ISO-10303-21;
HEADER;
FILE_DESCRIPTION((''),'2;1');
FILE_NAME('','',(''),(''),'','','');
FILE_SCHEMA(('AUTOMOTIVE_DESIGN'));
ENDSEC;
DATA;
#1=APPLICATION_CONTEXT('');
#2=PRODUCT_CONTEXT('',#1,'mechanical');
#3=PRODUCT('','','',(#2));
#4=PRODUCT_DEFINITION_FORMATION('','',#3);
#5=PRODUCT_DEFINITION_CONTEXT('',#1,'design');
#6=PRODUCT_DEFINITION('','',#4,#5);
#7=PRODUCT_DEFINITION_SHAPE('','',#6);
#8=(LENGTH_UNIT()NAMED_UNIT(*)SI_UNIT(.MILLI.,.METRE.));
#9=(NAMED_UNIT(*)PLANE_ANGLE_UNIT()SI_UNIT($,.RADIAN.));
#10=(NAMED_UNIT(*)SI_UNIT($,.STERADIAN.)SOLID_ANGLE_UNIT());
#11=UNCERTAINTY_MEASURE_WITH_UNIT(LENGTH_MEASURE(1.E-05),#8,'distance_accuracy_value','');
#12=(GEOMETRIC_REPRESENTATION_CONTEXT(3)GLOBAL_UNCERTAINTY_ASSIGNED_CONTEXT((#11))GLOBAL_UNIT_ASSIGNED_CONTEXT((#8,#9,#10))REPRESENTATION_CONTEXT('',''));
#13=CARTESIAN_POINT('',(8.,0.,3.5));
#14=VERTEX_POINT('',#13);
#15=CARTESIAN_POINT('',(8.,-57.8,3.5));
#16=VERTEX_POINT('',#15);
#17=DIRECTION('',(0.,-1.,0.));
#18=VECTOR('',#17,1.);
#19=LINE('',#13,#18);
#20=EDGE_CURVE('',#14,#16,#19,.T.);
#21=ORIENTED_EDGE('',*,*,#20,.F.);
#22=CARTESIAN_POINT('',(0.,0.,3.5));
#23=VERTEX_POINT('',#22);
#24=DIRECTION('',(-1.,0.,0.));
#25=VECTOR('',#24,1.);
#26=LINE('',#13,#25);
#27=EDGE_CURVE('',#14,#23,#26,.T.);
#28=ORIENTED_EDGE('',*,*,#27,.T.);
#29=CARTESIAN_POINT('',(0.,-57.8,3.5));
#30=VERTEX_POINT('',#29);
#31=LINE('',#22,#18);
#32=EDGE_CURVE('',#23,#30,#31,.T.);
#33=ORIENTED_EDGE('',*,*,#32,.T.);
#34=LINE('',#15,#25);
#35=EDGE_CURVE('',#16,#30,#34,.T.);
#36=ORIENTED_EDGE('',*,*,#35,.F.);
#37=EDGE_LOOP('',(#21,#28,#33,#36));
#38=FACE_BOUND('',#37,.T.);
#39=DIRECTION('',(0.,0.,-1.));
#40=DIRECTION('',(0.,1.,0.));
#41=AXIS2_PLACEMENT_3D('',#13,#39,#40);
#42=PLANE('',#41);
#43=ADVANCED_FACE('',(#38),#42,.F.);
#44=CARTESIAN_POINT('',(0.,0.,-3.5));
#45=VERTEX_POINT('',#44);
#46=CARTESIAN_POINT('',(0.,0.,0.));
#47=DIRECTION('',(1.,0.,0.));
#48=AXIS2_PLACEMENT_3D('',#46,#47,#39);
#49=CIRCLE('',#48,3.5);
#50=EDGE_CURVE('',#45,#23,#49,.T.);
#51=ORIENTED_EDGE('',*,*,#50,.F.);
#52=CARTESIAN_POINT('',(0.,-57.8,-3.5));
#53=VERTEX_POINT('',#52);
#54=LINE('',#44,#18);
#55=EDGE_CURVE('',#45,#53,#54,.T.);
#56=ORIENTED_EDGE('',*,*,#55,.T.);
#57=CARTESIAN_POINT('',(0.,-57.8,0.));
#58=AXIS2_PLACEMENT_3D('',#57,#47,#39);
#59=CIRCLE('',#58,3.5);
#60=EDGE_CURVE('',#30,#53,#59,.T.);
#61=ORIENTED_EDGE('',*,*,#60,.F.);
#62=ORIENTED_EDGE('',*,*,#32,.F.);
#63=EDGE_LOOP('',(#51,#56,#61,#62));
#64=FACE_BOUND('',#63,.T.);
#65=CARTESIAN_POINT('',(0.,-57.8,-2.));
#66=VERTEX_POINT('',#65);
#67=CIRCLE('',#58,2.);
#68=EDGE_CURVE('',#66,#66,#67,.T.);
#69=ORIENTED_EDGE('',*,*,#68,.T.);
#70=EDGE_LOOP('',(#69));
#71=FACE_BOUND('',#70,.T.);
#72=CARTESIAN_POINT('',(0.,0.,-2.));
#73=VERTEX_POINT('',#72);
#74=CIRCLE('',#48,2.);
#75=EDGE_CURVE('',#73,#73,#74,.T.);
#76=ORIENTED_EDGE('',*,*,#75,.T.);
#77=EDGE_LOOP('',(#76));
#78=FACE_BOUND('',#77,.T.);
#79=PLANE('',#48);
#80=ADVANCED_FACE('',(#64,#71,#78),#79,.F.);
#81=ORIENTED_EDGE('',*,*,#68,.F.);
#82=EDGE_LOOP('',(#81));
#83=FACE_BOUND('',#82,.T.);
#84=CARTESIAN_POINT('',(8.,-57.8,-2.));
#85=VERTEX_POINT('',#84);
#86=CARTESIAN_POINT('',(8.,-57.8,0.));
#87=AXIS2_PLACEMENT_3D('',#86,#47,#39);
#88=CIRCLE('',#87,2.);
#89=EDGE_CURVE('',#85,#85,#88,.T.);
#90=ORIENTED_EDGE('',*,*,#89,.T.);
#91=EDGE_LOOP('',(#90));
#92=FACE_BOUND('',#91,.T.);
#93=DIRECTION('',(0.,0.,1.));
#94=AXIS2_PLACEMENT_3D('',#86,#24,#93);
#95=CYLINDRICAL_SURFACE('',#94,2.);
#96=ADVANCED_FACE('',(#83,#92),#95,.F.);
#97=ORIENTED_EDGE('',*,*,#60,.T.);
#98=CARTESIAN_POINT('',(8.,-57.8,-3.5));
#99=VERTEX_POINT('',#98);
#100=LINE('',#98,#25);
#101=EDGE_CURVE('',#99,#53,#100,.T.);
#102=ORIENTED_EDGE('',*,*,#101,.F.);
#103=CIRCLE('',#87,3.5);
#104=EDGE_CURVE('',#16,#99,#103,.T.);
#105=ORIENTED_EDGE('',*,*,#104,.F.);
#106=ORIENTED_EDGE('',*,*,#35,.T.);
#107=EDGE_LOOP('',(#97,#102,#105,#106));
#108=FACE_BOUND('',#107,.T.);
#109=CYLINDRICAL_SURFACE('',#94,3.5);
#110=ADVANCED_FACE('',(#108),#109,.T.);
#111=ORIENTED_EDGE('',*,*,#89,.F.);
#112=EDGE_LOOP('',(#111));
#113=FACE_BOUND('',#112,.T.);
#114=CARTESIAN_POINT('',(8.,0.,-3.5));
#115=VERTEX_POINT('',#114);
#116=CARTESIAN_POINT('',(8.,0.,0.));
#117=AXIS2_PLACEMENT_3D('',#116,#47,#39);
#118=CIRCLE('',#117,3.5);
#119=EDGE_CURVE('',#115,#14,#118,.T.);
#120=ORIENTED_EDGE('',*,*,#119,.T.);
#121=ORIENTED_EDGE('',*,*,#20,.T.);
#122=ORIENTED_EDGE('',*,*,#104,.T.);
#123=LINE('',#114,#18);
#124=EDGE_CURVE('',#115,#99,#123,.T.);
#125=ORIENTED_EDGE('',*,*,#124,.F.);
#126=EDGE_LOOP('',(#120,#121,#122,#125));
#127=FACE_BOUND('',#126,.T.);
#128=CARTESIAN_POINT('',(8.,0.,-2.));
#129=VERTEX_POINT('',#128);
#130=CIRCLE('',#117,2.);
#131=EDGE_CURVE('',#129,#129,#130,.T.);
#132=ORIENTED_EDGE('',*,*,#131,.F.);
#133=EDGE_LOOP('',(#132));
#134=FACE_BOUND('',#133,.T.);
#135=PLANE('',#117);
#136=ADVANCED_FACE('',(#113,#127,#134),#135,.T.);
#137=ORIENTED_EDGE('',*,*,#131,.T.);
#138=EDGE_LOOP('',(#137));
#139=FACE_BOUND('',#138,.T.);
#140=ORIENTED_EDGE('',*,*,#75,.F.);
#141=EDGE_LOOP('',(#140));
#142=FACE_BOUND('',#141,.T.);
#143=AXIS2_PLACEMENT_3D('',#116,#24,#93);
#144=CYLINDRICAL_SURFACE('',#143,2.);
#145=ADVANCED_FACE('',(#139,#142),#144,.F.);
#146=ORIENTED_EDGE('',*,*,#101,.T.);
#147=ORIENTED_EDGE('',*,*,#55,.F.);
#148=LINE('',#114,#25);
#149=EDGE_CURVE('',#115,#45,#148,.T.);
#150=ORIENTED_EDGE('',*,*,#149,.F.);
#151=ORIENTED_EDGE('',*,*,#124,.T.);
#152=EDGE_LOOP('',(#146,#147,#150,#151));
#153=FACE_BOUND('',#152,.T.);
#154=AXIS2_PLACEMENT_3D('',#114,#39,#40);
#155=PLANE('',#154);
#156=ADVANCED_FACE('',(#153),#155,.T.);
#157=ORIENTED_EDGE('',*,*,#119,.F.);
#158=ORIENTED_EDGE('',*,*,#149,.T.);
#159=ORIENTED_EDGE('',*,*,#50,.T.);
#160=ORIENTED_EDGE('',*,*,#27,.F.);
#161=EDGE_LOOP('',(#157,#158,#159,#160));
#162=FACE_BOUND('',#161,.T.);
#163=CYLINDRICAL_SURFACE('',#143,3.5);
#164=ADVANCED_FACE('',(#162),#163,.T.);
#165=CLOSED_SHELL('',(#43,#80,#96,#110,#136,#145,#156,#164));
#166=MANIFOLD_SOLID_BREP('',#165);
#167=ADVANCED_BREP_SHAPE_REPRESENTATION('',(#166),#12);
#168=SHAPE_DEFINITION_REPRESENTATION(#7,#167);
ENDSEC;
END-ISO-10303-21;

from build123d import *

# Parameters (mm, degrees)
SKETCH1_R           = 2
BOSS_EXTRUDE1_DEPTH = 8


with BuildPart() as part:
    # Sketch1 → Boss-Extrude1 (new body)
    with BuildSketch(Plane(origin=(0, 0, 0), x_dir=(0, 0, -1), z_dir=(1, 0, 0))):
        with BuildLine():
            Line((3.5, -57.8), (3.5, 0))
            ThreePointArc((3.5, 0), (0, 3.5), (-3.5, 0))
            Line((-3.5, 0), (-3.5, -57.8))
            ThreePointArc((-3.5, -57.8), (0, -61.3), (3.5, -57.8))
        make_face()
        Circle(SKETCH1_R, mode=Mode.SUBTRACT)
        with Locations((0, -57.8)):
            Circle(SKETCH1_R, mode=Mode.SUBTRACT)
    extrude(amount=BOSS_EXTRUDE1_DEPTH)


solid = part.part
